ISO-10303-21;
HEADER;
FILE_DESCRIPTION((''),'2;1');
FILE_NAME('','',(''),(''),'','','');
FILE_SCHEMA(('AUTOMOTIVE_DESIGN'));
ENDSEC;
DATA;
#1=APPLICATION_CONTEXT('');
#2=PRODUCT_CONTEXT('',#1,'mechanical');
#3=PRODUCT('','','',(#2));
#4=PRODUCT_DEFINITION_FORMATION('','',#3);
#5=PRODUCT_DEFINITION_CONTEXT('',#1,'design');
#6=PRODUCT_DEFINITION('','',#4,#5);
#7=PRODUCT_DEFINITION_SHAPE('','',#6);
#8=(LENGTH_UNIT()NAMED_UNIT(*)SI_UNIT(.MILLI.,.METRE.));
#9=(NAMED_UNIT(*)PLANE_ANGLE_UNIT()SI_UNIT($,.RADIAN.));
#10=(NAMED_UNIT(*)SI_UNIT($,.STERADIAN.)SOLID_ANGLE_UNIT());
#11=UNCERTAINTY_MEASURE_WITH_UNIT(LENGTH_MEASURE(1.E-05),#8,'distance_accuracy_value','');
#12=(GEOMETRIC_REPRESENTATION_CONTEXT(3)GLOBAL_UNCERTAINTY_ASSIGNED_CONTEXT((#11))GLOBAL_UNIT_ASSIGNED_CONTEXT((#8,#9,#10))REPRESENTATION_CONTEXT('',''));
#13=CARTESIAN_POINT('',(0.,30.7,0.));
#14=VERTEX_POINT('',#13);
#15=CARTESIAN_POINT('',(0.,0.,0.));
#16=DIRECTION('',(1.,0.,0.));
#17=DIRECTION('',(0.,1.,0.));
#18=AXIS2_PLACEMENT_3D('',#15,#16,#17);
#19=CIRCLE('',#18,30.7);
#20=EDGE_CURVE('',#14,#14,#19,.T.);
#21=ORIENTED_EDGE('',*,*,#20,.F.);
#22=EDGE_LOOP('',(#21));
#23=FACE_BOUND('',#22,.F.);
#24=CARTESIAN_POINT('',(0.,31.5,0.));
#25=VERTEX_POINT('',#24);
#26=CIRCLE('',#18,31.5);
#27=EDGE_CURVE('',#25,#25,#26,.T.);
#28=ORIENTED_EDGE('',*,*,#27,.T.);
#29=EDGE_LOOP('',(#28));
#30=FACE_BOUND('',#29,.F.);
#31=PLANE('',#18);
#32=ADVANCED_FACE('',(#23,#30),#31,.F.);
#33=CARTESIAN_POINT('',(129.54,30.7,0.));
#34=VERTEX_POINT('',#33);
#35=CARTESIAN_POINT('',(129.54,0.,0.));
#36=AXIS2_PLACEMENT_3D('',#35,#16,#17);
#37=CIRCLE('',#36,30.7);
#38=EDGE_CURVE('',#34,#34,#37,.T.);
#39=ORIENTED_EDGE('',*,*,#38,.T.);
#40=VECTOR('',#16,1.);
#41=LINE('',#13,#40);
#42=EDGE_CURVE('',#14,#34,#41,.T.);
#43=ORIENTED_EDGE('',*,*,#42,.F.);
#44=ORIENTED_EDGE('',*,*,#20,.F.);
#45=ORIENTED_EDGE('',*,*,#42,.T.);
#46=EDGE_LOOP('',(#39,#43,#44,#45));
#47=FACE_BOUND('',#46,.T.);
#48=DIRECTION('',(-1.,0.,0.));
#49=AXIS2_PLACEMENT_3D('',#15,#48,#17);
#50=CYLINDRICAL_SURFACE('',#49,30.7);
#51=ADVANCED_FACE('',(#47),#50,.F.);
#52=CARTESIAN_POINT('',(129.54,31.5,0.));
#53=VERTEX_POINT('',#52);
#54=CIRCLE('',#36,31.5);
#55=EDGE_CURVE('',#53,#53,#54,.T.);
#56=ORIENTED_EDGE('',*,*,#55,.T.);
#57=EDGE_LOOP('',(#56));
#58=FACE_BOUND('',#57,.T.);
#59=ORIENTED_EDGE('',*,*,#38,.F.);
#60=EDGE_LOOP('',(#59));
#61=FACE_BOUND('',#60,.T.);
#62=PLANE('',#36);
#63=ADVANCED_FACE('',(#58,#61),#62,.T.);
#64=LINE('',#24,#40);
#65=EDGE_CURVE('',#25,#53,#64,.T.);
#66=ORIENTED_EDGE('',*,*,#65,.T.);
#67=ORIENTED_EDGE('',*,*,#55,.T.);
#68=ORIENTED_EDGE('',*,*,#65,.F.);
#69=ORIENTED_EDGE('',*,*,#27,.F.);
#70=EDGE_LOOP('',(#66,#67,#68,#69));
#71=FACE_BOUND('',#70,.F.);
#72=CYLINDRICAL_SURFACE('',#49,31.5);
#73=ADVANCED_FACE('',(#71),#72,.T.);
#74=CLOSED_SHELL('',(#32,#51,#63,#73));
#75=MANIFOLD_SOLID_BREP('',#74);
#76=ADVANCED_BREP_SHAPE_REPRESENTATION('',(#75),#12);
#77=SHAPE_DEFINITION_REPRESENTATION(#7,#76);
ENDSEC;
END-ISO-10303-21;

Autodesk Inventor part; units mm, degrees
ref_plane "YZ Plane" through (0, 0, 0) normal (1, 0, 0) x (0, 1, 0)
ref_plane "XZ Plane" through (0, 0, 0) normal (0, 1, 0) x (-1, 0, 0)
ref_plane "XY Plane" through (0, 0, 0) normal (0, 0, 1) x (1, 0, 0)
sketch "Sketch1" plane through (0, 0, 0) normal (1, 0, 0) x (0, 1, 0)
  circle A0 centre (0, 0) radius 31.5
  circle A1 centre (0, 0) radius 30.7
  dimension "d0" = 63
  dimension "d1" = 0.8
extrude "Extrusion1" add sketch "Sketch1" along normal blind 129.54
equation "\"d0\" = OD"
equation "\"d1\" = t"
equation "\"d2\" = L"
equation "\"OD\" = 63"
equation "\"t\" = 0.8"
equation "\"L\" = PL"
equation "\"ID\" = 61.4"
equation "\"PL\" = 129.54"
properties part number "ISO 4065 Pipe DN63x0.8xS40 - 129.54000000" material "PVC-Piping"
